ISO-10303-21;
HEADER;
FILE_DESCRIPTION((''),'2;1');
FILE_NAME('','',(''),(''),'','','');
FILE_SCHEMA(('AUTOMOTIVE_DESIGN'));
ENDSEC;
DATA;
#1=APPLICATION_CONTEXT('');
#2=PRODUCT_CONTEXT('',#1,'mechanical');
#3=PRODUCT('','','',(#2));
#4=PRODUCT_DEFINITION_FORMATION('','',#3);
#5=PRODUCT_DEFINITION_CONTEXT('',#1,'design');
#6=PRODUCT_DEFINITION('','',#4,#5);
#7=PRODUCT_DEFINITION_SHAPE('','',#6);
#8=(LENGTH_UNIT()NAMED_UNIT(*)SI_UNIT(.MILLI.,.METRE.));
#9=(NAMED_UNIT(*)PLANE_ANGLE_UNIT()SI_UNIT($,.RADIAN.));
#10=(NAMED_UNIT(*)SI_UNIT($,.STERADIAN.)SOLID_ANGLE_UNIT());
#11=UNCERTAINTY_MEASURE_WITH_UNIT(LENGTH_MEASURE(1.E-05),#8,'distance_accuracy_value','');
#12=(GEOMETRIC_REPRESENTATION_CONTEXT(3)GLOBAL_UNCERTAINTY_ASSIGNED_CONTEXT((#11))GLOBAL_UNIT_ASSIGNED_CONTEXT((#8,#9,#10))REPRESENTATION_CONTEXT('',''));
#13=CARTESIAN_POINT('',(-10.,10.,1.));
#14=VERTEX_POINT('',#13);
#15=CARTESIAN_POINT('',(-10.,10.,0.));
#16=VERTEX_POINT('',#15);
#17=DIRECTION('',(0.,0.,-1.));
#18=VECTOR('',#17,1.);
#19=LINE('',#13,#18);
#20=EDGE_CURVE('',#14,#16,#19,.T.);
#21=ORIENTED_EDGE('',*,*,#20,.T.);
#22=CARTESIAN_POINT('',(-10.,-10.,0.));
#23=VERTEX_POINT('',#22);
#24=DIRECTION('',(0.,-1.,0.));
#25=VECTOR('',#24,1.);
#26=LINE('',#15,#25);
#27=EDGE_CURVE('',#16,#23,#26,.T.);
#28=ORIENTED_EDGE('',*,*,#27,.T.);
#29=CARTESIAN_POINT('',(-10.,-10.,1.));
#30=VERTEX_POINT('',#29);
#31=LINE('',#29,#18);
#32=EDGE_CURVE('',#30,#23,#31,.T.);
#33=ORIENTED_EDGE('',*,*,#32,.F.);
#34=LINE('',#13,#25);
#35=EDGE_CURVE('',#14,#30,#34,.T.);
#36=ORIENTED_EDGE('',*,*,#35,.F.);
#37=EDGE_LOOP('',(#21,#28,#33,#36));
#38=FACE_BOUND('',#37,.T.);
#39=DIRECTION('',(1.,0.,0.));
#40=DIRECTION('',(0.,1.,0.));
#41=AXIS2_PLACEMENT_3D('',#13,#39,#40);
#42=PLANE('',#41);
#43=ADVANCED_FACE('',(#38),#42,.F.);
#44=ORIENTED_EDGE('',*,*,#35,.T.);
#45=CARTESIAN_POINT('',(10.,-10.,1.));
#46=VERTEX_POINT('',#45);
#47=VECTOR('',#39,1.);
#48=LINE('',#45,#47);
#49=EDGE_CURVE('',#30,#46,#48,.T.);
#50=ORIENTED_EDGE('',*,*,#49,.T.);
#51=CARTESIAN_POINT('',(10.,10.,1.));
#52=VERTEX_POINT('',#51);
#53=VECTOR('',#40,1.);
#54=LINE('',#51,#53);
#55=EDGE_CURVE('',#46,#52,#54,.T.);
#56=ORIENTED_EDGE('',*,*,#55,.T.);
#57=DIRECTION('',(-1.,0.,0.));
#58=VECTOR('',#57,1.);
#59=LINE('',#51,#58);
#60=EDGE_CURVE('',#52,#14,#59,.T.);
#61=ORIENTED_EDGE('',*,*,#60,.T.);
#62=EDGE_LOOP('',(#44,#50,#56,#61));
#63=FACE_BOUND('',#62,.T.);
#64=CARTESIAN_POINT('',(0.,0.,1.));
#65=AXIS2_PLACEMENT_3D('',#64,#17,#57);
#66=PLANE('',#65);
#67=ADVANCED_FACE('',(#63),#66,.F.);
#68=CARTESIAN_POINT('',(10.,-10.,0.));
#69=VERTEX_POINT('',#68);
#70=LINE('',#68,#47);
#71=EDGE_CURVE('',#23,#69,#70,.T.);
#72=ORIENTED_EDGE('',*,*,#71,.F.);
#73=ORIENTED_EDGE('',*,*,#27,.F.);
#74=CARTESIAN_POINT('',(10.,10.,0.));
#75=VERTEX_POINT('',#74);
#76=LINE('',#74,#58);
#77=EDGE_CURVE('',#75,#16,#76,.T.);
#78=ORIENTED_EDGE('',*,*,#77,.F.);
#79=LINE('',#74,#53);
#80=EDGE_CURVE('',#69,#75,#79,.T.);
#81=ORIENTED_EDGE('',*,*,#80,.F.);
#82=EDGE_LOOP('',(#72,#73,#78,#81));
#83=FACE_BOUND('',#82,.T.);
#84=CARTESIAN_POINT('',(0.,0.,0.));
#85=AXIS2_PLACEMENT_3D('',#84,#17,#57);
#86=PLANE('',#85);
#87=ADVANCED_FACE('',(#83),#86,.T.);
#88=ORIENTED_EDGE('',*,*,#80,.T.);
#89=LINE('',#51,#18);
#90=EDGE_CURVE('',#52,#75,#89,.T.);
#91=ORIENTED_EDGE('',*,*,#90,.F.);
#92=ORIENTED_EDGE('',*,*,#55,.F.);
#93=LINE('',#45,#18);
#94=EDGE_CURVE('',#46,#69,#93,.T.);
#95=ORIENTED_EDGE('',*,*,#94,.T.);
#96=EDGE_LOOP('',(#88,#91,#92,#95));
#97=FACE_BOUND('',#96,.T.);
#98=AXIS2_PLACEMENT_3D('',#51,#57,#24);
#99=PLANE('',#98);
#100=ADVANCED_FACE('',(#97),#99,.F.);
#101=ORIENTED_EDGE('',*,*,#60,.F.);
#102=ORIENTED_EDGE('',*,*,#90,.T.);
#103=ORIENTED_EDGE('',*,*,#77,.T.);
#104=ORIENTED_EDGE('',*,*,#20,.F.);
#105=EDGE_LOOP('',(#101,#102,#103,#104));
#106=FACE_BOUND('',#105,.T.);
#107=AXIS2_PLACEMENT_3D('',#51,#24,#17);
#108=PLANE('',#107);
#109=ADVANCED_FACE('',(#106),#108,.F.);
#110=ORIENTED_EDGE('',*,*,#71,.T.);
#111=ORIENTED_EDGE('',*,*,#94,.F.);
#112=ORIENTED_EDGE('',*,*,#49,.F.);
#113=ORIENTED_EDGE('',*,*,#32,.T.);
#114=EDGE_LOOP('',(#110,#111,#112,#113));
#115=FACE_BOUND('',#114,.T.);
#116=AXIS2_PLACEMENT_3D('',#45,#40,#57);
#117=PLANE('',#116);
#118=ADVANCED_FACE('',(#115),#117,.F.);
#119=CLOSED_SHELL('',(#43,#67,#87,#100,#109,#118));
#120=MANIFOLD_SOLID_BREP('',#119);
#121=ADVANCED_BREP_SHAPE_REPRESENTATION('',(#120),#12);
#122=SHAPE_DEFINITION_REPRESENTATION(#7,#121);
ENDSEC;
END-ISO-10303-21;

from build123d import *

# Parameters (mm, degrees)
SCHIZZO1_W                   = 20
SCHIZZO1_H                   = 20
ESTRUSIONE_ESTRUSIONE1_DEPTH = 1


with BuildPart() as part:
    # Schizzo1 → Estrusione-Estrusione1 (new body)
    with BuildSketch(Plane.XY):
        Rectangle(SCHIZZO1_W, SCHIZZO1_H)
    extrude(amount=ESTRUSIONE_ESTRUSIONE1_DEPTH)


solid = part.part
